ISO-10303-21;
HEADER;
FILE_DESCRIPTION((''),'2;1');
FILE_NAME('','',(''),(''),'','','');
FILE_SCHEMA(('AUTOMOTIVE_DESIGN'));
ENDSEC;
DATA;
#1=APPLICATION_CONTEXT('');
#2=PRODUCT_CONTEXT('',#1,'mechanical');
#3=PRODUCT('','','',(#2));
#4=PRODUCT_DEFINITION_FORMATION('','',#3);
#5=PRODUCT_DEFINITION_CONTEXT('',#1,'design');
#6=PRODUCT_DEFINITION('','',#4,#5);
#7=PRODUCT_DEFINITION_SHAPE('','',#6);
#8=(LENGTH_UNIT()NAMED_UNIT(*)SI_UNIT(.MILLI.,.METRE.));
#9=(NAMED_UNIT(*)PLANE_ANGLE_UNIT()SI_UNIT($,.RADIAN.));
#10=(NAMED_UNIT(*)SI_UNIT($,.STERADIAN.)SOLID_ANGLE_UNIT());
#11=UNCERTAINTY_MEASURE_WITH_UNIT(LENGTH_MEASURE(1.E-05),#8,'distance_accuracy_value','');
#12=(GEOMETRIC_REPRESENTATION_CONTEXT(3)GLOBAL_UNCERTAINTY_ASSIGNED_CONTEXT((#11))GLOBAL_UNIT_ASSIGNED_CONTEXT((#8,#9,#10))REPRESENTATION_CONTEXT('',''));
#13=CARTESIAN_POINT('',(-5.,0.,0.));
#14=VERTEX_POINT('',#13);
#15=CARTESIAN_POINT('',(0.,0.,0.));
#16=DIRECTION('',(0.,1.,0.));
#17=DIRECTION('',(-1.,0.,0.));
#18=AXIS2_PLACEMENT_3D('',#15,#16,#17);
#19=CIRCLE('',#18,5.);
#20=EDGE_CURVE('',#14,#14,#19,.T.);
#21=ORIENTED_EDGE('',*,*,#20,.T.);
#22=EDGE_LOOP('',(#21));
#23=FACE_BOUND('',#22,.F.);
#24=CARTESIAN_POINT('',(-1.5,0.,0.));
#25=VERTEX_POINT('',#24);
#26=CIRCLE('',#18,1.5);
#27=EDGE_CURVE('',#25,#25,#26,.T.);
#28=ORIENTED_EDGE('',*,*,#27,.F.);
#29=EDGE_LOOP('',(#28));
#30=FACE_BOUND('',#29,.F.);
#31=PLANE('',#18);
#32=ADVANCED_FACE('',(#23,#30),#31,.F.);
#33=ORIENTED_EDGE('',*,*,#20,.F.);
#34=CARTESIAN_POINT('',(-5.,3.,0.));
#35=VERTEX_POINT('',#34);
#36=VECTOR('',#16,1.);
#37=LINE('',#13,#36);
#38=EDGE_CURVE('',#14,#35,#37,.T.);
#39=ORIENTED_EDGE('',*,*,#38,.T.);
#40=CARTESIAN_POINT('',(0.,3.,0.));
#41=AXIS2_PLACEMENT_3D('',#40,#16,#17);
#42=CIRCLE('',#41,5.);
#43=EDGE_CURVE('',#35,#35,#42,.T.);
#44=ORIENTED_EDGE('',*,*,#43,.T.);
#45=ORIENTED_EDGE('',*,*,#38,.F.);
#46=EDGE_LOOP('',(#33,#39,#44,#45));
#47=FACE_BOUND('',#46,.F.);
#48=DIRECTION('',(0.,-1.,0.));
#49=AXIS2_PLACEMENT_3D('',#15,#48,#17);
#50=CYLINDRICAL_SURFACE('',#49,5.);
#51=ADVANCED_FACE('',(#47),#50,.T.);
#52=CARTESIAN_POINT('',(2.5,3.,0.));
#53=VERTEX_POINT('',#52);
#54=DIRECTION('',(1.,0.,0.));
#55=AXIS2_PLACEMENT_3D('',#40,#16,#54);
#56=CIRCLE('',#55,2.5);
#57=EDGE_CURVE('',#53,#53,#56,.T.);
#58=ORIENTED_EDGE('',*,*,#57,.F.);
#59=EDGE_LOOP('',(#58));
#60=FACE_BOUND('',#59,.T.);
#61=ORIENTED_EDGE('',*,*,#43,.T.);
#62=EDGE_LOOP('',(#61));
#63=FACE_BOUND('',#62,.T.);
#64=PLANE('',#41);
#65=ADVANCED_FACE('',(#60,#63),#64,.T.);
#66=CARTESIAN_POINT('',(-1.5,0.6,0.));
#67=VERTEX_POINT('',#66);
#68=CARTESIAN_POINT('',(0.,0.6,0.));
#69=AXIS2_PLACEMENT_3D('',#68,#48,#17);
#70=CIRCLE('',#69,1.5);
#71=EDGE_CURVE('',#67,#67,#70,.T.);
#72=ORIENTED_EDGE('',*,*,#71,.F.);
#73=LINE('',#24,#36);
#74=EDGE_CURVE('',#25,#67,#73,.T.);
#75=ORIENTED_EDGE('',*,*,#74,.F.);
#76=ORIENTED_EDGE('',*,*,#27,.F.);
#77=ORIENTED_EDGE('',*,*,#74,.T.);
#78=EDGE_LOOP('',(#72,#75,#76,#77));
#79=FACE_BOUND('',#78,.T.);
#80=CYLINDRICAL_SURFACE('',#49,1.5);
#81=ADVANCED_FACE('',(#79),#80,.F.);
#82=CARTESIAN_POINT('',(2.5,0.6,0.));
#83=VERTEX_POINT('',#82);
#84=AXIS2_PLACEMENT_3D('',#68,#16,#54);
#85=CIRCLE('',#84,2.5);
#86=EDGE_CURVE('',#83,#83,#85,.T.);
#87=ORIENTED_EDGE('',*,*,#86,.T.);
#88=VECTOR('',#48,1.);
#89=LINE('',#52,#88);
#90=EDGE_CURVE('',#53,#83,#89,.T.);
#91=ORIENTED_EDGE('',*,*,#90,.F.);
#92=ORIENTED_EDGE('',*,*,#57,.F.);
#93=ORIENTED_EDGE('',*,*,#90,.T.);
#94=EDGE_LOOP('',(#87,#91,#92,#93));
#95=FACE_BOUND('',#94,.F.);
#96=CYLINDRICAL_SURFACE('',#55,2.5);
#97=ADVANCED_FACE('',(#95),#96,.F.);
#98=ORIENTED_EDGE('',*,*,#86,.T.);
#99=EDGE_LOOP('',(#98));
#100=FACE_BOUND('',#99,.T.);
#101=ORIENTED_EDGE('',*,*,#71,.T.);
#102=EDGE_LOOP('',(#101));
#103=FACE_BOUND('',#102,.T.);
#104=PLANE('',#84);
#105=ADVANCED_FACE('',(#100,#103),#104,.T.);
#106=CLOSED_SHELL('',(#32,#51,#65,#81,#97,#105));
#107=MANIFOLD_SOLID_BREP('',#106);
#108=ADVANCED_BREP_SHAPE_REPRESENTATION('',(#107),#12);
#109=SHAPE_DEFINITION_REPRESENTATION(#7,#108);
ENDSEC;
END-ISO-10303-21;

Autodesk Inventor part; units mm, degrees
ref_plane "YZ Plane" through (0, 0, 0) normal (1, 0, 0) x (0, 1, 0)
ref_plane "XZ Plane" through (0, 0, 0) normal (0, 1, 0) x (-1, 0, 0)
ref_plane "XY Plane" through (0, 0, 0) normal (0, 0, 1) x (1, 0, 0)
sketch "Эскиз1" plane through (0, 0, 0) normal (0, 1, 0) x (-1, 0, 0)
  circle A0 centre (0, 0) radius 1.5
  circle A1 centre (0, 0) radius 5
  dimension "d0" = 3
  dimension "d1" = 10
extrude "Выдавливание1" add sketch "Эскиз1" along normal blind 3
sketch "Эскиз2" plane through (0, 3, 0) normal (0, 1, 0) x (1, 0, 0)
  circle A0 centre (0, 0) radius 2.5
  dimension "d4" = 5
extrude "Выдавливание2" cut sketch "Эскиз2" against normal blind 2.4
properties part number "колесо"
